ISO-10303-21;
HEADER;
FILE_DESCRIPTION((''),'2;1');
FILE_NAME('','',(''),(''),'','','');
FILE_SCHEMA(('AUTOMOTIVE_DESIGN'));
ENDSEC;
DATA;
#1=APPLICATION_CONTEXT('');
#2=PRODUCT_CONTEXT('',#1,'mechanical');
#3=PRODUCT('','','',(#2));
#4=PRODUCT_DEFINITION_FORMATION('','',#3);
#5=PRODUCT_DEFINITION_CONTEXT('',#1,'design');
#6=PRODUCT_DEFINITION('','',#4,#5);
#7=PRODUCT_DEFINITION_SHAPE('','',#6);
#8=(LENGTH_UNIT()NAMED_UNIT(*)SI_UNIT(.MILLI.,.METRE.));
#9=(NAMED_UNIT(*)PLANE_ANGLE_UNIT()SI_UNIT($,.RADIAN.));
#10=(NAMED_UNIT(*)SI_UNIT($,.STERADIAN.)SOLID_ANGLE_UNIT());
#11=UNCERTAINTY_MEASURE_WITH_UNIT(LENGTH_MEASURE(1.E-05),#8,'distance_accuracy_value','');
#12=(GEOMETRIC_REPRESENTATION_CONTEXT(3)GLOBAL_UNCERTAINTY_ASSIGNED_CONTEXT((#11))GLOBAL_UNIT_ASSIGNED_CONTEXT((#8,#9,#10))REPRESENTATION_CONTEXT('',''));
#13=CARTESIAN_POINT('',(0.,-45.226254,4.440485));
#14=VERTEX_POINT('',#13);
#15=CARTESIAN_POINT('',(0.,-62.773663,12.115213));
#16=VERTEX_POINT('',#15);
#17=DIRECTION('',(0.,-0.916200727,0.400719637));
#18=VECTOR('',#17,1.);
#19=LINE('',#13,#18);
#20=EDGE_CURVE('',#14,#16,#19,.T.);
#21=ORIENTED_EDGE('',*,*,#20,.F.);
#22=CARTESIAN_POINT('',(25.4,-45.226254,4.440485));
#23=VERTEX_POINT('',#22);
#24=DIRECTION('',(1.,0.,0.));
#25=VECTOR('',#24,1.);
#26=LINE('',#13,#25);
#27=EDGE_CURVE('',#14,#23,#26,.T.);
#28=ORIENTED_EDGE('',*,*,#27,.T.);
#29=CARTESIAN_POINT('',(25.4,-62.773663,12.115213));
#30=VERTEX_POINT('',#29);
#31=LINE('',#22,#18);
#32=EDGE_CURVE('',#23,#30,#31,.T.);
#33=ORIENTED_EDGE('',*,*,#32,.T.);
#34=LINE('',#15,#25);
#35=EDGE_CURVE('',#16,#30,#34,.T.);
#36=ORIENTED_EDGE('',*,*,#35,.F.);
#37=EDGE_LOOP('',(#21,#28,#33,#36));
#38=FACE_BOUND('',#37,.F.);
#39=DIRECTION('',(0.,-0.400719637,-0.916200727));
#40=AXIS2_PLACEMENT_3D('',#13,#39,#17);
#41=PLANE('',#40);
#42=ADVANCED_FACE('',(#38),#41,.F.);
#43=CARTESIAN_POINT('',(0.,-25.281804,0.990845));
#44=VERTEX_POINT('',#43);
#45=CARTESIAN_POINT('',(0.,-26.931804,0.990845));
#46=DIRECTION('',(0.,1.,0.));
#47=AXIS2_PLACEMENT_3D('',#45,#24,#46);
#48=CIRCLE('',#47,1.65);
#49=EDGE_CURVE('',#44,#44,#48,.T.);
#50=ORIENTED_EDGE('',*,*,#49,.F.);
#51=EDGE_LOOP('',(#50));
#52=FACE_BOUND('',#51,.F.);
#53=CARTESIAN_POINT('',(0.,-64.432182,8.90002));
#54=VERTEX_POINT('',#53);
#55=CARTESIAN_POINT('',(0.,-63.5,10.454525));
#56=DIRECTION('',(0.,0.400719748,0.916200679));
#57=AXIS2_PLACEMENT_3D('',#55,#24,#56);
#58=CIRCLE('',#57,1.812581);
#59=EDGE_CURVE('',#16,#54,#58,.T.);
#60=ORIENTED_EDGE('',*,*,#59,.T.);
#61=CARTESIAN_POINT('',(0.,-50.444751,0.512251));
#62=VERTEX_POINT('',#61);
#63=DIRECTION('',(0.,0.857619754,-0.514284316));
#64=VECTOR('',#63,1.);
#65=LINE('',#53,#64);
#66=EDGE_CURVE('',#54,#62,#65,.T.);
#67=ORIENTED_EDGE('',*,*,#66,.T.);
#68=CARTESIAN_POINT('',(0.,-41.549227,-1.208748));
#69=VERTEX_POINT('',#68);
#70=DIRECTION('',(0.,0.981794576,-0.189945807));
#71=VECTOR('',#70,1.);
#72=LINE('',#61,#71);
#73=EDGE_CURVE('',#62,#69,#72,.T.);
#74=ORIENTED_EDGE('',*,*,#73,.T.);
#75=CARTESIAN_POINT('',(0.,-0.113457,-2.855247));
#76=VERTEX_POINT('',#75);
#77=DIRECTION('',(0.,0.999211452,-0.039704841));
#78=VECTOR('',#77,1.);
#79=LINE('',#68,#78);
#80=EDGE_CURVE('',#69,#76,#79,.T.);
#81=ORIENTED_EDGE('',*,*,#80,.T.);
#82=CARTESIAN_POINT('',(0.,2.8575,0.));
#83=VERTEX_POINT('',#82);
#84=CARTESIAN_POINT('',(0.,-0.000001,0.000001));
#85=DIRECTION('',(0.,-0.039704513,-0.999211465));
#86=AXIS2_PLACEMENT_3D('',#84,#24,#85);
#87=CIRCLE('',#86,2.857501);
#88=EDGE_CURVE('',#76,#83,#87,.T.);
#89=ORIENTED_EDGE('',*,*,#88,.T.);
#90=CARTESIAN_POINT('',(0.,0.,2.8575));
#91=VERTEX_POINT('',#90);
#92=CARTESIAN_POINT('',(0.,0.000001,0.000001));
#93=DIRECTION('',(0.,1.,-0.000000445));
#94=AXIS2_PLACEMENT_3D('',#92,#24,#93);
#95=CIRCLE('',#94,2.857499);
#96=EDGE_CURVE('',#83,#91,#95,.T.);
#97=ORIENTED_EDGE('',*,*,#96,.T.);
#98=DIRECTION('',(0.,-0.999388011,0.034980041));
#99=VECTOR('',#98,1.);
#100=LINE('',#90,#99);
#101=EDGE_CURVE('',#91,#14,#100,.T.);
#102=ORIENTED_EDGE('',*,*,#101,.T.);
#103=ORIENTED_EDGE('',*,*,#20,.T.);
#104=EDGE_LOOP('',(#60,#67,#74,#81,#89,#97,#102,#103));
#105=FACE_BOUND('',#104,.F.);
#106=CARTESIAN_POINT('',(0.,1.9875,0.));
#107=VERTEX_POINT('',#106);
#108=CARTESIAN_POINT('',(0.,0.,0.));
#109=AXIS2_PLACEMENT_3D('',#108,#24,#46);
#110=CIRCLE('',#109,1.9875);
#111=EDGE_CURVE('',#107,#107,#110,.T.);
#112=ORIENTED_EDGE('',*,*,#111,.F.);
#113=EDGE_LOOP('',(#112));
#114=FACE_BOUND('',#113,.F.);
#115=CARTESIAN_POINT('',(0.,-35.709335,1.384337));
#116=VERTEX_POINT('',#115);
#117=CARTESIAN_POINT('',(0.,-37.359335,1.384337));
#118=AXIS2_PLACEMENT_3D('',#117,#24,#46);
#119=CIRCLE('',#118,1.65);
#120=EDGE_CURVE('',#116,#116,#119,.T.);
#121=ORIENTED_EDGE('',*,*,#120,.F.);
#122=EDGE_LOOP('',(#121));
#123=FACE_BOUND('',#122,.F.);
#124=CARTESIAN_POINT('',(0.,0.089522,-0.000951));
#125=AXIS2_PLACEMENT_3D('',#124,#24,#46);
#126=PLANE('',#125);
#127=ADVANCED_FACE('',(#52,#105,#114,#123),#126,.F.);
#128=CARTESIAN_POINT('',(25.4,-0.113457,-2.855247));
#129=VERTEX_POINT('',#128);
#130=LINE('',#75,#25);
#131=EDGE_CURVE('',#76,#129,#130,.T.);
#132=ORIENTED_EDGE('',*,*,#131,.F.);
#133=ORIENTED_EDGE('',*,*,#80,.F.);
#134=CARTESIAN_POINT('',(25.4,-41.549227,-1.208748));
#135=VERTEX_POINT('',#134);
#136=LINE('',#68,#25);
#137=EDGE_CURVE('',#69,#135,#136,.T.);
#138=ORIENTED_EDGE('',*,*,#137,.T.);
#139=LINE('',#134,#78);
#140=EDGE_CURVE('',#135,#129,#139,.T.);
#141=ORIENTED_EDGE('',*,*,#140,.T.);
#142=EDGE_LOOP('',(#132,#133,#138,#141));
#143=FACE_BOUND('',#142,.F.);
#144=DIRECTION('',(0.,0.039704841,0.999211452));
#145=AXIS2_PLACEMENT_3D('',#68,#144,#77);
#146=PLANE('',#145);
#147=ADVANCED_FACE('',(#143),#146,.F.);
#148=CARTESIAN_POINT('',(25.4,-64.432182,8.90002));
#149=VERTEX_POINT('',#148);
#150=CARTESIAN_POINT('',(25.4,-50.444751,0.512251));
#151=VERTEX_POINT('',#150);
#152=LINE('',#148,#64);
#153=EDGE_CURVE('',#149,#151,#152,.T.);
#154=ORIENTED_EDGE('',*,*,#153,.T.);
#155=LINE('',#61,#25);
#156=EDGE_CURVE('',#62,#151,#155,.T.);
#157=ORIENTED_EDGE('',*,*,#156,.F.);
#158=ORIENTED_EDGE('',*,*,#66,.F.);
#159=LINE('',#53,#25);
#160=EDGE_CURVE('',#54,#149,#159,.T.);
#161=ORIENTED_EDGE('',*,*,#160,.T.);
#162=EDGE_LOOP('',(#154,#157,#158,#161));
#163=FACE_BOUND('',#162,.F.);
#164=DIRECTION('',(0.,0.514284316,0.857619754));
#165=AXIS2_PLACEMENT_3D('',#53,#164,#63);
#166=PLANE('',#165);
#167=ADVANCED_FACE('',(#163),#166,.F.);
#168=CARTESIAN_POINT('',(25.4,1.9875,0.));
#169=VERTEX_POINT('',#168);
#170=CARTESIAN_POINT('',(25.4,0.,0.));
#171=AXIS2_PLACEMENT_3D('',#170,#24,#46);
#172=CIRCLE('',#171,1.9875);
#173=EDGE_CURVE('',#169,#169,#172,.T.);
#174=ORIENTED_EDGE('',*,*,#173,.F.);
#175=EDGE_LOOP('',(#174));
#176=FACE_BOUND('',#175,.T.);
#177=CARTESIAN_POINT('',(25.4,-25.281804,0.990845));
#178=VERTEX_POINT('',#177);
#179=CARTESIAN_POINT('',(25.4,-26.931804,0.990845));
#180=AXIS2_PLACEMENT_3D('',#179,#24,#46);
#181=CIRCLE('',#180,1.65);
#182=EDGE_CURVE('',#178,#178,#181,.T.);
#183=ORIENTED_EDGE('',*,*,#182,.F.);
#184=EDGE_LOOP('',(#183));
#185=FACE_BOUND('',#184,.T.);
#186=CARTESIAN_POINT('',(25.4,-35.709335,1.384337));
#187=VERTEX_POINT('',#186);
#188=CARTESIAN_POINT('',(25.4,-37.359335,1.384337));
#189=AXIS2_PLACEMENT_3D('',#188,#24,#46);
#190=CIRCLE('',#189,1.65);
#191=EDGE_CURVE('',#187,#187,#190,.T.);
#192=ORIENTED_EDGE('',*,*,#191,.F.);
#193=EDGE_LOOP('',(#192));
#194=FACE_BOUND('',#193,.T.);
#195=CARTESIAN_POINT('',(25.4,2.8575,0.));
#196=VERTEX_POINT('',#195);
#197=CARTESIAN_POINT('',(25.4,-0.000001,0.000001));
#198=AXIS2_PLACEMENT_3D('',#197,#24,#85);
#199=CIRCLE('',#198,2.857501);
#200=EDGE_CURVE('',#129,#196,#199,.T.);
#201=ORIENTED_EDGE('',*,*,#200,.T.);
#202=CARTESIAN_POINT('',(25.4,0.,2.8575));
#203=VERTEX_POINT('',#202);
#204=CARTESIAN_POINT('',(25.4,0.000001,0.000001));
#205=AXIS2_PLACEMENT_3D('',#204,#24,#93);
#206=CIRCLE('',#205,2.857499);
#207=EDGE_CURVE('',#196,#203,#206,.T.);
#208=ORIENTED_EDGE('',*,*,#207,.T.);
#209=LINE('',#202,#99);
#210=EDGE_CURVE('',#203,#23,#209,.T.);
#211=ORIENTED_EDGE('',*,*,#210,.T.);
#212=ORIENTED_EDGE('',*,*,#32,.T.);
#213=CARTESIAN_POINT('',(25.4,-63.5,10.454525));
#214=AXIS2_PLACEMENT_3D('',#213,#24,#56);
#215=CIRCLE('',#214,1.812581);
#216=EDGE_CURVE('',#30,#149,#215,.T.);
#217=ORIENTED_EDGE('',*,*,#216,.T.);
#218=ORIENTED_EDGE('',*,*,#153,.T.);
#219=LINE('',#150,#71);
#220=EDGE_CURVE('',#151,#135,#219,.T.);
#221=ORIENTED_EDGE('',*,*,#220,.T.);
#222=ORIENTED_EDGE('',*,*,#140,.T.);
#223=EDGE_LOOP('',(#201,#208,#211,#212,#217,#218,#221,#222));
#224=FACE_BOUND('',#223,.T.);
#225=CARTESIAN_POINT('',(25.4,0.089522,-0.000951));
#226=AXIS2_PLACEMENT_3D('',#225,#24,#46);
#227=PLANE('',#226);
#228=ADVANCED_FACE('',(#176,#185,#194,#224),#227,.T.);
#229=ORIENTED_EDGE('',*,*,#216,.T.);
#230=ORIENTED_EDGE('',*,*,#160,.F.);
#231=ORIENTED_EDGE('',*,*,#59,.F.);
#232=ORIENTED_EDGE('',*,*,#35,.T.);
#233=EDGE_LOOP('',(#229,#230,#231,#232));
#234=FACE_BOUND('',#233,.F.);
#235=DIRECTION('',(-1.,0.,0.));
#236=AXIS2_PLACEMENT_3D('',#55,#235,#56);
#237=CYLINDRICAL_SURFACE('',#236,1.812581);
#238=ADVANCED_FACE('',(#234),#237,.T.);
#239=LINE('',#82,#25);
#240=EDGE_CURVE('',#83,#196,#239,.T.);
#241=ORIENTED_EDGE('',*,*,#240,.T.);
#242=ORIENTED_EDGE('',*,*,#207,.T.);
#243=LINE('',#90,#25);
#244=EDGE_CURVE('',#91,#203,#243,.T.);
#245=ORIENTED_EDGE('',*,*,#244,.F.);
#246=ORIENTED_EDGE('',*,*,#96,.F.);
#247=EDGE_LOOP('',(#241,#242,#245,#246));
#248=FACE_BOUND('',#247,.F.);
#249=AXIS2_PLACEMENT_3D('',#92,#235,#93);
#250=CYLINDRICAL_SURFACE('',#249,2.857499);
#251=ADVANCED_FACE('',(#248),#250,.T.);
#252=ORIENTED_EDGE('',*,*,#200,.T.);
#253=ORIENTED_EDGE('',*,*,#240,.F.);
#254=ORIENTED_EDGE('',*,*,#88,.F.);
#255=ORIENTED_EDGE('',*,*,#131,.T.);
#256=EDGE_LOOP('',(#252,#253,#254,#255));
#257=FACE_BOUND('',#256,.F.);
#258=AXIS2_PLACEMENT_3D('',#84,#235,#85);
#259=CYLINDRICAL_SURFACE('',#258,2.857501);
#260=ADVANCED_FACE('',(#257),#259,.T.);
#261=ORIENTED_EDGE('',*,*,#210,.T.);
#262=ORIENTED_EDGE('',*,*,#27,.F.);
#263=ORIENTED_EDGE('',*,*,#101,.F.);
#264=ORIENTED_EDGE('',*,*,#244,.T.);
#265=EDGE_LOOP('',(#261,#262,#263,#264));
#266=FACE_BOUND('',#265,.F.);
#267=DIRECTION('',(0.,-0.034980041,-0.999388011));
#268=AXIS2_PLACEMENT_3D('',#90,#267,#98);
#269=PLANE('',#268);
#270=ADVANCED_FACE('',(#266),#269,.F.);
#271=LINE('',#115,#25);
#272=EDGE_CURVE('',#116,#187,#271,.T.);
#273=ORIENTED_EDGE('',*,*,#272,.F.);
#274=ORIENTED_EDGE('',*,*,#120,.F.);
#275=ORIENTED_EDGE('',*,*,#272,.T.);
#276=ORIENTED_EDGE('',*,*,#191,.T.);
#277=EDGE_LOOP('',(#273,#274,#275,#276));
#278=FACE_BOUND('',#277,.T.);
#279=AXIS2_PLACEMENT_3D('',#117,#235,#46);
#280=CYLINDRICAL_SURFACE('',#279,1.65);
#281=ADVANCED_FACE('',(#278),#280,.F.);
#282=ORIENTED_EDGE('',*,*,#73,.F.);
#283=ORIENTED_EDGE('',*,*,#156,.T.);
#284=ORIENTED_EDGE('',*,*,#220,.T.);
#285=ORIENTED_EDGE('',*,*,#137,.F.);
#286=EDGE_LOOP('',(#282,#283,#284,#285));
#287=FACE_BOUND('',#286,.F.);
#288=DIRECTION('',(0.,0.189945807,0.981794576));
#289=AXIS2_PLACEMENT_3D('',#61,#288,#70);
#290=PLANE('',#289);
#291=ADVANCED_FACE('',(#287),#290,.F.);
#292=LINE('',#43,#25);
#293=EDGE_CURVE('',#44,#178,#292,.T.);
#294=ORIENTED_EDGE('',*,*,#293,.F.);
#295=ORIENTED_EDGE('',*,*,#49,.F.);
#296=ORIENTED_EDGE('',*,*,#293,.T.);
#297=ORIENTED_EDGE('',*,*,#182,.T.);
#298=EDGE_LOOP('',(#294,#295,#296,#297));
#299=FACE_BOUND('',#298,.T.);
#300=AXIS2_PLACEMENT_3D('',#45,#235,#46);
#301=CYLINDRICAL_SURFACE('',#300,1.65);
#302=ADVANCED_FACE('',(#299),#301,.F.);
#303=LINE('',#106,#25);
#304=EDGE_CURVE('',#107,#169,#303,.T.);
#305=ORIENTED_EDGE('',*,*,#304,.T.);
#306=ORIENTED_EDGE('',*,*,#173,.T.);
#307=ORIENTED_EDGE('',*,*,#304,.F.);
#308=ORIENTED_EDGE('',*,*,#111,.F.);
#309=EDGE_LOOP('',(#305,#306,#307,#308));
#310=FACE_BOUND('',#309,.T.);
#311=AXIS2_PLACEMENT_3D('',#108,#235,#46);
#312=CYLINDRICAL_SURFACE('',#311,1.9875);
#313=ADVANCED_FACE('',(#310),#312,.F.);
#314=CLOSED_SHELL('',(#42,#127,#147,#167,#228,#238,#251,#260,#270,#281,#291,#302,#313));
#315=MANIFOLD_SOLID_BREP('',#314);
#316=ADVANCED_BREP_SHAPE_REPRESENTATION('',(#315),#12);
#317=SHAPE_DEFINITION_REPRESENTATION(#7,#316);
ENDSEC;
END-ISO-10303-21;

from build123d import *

# Parameters (mm, degrees)
F0_R     = 1.9875
F0_R_2   = 1.65
F1_DEPTH = 25.4


with BuildPart() as f1:
    # F0 (on Right) → F1 (new body)
    with BuildSketch(Plane.YZ):
        with BuildLine():
            ThreePointArc((-0.113457, -2.855247), (1.980038, -2.06028), (2.8575, 0))
            ThreePointArc((2.8575, 0), (2.020558, 2.020558), (0, 2.8575))
            ThreePointArc((0, 2.8575), (-2.856937, 0.056739), (-0.113457, -2.855247))
        make_face()
        Circle(F0_R, mode=Mode.SUBTRACT)
        with BuildLine():
            ThreePointArc((-0.113457, -2.855247), (-2.856937, 0.056739), (0, 2.8575))
            Line((0, 2.8575), (-45.226254, 4.440485))
            Line((-45.226254, 4.440485), (-62.773663, 12.115213))
            ThreePointArc((-62.773663, 12.115213), (-65.110888, 11.285482), (-64.432182, 8.90002))
            Line((-64.432182, 8.90002), (-50.444751, 0.512251))
            Line((-50.444751, 0.512251), (-41.549227, -1.208748))
            Line((-41.549227, -1.208748), (-0.113457, -2.855247))
        make_face()
        with Locations((-37.359335, 1.384337)):
            Circle(F0_R_2, mode=Mode.SUBTRACT)
        with Locations((-26.931804, 0.990845)):
            Circle(F0_R_2, mode=Mode.SUBTRACT)
    extrude(amount=F1_DEPTH)


solid = f1.part
